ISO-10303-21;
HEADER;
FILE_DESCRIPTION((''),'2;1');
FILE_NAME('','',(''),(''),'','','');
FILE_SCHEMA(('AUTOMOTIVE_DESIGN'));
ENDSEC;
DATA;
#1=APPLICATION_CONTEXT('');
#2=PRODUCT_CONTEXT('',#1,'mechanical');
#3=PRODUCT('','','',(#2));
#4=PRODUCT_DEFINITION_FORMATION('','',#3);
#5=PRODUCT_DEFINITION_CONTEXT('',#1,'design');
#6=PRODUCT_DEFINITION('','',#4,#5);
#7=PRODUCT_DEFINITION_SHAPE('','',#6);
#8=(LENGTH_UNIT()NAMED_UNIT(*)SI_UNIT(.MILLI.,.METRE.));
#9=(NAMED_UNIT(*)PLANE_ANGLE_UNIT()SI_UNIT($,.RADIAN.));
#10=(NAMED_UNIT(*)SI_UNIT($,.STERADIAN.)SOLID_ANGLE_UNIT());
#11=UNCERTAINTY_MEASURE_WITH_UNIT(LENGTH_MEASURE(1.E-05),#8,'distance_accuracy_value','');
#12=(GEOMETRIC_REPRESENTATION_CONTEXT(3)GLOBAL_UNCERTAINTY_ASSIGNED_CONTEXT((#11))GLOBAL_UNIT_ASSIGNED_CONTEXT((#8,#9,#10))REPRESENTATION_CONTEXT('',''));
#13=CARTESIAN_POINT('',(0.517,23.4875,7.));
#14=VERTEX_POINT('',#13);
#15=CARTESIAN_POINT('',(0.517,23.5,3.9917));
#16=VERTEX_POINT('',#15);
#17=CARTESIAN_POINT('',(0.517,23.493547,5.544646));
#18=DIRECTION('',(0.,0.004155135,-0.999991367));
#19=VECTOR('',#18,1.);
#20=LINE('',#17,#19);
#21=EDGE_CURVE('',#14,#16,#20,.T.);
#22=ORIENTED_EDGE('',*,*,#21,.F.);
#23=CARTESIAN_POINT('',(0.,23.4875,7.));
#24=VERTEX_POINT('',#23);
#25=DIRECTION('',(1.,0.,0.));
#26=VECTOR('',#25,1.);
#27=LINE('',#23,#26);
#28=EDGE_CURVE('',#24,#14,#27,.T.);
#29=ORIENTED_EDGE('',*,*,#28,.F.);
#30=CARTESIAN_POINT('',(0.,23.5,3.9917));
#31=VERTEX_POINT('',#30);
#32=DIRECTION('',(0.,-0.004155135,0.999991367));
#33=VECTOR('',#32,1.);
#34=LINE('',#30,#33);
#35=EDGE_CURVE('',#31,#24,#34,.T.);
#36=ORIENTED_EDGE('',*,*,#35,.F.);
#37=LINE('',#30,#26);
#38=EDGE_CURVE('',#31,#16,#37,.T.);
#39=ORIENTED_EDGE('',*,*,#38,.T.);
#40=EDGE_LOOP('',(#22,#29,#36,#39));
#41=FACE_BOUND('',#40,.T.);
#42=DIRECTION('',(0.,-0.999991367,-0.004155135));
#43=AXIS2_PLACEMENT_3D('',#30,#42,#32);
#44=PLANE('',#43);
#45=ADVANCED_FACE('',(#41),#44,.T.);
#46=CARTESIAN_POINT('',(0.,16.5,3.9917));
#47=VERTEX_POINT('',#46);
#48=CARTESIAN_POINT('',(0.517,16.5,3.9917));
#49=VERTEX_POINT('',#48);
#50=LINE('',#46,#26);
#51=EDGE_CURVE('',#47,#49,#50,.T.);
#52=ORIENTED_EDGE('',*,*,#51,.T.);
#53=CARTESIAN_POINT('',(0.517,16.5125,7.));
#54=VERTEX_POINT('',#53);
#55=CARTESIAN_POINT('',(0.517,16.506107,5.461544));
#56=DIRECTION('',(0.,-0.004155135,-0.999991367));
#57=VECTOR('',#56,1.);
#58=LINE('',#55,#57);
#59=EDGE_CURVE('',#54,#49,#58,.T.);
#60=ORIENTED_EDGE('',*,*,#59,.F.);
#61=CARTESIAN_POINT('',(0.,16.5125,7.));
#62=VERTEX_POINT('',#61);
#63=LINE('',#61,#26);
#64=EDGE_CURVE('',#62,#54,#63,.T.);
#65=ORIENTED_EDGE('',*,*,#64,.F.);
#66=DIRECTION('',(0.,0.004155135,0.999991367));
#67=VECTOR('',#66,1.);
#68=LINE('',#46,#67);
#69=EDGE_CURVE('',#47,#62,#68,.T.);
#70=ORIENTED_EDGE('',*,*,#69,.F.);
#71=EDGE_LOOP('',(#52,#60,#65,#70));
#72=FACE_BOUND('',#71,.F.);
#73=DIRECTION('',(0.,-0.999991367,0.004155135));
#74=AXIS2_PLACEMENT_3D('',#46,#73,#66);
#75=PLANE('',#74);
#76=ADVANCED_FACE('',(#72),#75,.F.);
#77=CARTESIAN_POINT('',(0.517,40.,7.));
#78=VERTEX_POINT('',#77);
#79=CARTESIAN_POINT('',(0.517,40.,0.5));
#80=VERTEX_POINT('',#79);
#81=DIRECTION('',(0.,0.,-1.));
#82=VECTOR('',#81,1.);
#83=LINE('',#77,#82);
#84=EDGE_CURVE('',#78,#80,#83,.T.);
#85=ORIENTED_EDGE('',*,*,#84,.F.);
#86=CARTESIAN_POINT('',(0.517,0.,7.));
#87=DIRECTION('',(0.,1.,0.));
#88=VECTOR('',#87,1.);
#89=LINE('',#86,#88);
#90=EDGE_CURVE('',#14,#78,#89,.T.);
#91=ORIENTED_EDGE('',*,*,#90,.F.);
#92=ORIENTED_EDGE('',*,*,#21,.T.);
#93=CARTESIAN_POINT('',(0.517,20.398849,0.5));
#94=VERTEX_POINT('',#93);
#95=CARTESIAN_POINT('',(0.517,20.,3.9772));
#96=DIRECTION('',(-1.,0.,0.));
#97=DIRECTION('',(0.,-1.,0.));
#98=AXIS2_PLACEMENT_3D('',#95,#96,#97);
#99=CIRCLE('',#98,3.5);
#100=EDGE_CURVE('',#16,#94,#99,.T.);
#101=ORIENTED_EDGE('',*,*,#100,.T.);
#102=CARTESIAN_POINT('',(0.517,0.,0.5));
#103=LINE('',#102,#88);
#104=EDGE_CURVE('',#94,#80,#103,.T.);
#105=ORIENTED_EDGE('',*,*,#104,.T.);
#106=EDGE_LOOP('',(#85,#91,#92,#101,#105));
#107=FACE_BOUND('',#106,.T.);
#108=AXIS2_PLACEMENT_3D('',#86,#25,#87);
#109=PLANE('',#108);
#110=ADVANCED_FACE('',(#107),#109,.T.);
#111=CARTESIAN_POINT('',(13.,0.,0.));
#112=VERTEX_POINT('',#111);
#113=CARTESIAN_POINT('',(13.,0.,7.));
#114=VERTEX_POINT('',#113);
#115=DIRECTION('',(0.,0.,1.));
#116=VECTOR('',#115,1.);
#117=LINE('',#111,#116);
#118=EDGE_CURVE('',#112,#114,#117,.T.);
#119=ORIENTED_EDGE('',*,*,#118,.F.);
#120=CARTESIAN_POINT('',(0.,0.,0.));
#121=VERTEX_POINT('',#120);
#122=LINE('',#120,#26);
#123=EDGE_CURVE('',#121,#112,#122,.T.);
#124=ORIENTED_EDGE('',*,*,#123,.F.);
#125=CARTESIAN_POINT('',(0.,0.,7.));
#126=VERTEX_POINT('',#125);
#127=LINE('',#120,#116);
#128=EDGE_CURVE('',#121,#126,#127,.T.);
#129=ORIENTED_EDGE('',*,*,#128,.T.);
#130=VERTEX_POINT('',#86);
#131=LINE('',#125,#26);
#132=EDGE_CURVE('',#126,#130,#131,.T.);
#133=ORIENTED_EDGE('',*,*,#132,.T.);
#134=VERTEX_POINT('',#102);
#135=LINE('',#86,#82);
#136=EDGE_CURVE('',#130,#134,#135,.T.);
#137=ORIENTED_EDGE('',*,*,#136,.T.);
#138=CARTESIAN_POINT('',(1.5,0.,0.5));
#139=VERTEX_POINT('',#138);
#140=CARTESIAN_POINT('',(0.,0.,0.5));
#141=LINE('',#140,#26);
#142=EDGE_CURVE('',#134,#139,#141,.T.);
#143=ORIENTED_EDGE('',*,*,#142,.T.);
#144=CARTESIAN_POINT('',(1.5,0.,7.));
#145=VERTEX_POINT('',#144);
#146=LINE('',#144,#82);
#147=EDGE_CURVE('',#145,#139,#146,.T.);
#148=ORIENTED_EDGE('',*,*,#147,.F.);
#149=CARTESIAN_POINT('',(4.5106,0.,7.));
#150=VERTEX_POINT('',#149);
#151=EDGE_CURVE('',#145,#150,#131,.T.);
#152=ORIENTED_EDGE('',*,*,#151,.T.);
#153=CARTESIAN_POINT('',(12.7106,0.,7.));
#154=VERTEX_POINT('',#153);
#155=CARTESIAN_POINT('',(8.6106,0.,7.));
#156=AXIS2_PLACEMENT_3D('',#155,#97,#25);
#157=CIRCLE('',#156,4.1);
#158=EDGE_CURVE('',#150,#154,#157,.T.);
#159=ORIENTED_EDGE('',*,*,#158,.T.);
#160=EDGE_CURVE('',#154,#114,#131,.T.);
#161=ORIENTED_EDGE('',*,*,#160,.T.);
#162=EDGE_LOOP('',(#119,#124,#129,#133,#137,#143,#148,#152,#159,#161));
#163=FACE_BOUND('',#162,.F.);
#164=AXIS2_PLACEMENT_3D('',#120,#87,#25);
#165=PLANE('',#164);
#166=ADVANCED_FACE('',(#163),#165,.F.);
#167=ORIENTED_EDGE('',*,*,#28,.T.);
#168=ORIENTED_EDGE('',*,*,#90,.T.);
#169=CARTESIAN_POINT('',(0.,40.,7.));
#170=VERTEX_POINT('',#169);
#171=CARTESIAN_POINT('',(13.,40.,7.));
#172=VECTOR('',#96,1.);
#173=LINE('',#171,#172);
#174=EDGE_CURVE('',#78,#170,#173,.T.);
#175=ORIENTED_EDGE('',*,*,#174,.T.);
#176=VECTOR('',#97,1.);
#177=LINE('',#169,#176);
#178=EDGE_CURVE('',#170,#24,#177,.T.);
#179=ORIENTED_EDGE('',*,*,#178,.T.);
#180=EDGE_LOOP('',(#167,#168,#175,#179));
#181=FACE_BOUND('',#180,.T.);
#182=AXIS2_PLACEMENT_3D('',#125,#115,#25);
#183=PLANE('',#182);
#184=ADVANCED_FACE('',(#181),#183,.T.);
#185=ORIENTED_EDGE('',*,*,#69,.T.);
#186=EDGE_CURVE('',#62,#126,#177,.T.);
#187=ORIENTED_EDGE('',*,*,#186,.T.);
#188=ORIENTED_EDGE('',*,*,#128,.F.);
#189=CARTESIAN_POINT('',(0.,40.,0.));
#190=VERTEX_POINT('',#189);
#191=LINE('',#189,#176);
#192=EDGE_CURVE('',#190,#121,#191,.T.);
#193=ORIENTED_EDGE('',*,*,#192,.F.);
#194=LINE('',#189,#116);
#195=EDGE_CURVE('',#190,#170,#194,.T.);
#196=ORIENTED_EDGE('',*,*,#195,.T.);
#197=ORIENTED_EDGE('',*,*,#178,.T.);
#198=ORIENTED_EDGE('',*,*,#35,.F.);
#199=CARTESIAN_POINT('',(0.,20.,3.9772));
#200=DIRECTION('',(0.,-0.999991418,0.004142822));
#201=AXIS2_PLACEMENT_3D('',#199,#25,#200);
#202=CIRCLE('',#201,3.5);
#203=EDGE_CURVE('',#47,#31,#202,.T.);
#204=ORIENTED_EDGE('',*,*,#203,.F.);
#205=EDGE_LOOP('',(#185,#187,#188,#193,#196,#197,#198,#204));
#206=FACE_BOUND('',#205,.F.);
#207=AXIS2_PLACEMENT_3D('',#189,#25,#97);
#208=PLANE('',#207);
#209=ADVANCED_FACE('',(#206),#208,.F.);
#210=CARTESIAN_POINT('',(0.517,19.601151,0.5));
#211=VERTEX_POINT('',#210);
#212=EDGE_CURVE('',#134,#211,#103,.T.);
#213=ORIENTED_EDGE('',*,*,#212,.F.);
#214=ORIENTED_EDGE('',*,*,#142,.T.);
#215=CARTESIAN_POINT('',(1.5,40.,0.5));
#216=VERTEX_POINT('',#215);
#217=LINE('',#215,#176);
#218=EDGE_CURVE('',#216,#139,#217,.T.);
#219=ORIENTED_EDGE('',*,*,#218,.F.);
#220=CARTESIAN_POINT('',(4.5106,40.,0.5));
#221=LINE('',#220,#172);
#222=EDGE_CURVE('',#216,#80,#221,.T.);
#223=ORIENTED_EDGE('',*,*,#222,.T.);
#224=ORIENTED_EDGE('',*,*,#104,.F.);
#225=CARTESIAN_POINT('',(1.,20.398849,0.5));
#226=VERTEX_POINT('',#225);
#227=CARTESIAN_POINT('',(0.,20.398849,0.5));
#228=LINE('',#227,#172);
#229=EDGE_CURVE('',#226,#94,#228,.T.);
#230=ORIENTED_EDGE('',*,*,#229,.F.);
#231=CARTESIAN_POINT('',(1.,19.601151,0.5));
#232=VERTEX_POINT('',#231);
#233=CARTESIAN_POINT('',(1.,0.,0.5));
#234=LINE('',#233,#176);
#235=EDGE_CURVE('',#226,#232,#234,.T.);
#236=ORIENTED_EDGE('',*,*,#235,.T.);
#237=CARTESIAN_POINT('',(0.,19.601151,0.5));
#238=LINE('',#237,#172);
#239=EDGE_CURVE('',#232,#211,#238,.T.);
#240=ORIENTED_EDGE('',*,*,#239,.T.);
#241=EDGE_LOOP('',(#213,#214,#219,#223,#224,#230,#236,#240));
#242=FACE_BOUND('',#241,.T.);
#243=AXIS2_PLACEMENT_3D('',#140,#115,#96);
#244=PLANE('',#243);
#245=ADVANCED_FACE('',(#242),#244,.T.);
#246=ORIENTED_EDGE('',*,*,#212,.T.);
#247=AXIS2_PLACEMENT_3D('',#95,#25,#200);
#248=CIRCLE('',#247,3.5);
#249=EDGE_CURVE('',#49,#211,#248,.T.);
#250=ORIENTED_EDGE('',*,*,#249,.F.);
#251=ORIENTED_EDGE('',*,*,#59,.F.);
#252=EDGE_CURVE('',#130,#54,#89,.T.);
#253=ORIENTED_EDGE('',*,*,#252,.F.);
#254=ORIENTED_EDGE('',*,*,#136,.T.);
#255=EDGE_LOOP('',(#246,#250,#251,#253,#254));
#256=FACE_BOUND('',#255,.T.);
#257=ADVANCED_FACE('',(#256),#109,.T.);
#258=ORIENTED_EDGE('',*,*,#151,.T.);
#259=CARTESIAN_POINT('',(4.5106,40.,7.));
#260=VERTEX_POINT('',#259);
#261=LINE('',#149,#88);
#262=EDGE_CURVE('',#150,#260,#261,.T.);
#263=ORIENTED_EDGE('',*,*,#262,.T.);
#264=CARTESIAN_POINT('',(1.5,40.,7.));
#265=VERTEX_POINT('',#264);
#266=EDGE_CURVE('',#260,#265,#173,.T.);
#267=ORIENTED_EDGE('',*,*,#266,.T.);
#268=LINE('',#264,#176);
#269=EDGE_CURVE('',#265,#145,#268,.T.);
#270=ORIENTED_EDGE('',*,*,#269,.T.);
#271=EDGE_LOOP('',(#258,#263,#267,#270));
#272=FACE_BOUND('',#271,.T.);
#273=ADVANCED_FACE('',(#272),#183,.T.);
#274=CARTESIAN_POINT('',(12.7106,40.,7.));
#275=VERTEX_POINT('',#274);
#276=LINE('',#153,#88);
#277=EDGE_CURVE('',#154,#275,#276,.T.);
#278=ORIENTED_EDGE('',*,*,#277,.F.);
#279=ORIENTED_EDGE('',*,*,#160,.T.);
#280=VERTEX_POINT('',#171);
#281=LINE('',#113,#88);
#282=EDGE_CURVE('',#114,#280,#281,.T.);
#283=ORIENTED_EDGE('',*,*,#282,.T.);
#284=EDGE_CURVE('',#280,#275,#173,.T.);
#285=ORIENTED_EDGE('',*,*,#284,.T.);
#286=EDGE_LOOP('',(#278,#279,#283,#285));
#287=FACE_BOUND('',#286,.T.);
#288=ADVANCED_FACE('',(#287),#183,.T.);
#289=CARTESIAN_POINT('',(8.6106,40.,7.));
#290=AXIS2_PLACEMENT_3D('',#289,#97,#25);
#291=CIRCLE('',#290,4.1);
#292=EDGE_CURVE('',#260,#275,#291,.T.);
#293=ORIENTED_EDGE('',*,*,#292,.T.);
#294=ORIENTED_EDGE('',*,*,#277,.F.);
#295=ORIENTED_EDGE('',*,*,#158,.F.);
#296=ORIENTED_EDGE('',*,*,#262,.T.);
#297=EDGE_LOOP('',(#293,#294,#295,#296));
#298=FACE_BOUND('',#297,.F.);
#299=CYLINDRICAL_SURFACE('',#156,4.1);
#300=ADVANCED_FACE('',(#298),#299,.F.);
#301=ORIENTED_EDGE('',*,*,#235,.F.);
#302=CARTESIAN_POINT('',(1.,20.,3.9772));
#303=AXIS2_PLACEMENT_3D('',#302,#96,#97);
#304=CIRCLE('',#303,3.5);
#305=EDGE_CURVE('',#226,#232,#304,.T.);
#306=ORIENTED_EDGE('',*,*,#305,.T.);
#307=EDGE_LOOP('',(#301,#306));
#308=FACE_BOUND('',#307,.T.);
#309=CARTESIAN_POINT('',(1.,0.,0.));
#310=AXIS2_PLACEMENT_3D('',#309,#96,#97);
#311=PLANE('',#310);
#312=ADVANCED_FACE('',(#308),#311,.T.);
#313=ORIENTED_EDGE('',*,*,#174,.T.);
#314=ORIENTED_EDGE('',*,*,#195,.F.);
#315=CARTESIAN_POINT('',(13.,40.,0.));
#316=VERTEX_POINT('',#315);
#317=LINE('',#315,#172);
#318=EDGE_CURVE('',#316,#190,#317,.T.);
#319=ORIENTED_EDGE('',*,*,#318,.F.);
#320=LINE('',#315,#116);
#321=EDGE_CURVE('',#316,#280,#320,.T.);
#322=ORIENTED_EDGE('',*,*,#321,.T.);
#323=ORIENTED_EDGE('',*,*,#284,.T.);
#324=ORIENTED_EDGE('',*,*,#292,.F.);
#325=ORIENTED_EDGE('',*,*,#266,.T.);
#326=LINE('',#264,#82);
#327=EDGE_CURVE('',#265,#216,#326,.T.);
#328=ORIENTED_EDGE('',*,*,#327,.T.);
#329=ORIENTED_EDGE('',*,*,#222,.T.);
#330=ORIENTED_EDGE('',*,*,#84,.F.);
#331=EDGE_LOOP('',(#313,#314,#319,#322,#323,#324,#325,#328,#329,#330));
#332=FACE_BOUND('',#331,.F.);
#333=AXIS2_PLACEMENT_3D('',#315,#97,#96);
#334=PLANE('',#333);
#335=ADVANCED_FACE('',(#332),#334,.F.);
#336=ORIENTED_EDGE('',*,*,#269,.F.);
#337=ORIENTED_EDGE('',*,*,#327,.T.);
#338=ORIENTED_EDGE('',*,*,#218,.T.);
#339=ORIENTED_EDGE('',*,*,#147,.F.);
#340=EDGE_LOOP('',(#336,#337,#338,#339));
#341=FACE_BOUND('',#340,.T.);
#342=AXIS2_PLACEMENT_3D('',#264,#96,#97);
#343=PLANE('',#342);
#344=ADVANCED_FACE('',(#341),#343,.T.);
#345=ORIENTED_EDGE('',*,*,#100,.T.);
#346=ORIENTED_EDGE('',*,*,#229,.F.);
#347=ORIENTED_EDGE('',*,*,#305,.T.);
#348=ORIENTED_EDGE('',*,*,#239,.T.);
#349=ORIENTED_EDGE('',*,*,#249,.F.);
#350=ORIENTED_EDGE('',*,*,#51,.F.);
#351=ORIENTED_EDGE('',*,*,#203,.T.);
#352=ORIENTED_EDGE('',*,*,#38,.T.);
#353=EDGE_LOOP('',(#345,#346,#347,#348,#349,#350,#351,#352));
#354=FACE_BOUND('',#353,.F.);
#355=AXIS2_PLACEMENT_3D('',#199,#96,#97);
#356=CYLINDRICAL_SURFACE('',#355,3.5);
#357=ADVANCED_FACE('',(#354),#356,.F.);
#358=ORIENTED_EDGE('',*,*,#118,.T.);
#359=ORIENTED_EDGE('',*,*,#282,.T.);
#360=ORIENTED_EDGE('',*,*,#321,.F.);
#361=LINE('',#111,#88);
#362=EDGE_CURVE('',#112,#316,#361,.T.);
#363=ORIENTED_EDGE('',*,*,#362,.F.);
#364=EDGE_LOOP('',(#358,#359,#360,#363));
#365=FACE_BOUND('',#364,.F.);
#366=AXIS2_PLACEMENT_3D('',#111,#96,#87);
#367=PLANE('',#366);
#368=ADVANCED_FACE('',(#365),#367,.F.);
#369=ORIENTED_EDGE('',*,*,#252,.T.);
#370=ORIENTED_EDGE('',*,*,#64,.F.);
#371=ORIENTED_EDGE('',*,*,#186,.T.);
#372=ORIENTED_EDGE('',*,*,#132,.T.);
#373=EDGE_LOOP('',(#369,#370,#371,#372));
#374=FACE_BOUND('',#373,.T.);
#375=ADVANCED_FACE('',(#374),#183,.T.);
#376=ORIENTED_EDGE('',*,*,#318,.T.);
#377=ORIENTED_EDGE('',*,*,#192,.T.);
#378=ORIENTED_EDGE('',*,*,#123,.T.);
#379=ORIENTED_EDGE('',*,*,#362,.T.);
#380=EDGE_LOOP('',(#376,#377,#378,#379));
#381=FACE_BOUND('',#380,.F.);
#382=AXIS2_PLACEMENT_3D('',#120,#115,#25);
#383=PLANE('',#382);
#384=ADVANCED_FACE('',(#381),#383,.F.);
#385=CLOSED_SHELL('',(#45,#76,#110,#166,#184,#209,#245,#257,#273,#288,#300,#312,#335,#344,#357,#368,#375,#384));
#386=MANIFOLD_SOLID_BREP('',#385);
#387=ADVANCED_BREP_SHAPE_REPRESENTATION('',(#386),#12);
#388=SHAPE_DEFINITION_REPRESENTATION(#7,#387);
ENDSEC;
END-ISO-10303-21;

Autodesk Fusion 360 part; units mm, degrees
sketch "Sketch1" plane through (0, 0, 0) normal (0, 0, 1) x (1, 0, 0)
  line L0 (0, 0) -> (13, 0)
  line L1 (13, 0) -> (13, 40)
  line L2 (13, 40) -> (0, 40)
  line L3 (0, 40) -> (0, 0)
  dimension "d1" = 13
  dimension "d2" = 40
extrude "Extrude1" add sketch "Sketch1" along normal blind 7 and the other way blind 0
sketch "Sketch2" plane through (0, 0, 0) normal (0, -1, 0) x (1, 0, 0)
  line L0 (0, 0) -> (13, 0)
  line L1 (13, 0) -> (13, 7)
  line L2 (13, 7) -> (0, 7)
  line L3 (0, 7) -> (0, 0)
  circle A0 centre (8.6106, 7) radius 4.1
  dimension "d5" = 8.2
extrude "Extrude2" cut sketch "Sketch2" against normal blind 41 contours L2 A0 picked at (8.104, 4.6437)
sketch "Sketch4" plane through (0, 0, 7) normal (0, 0, 1) x (-1, 0, 0)
  line L0 (-4.5106, 0) -> (-4.5106, -40)
  line L1 (-4.5106, -40) -> (0, -40)
  line L2 (0, -40) -> (0, 0)
  line L3 (0, 0) -> (-4.5106, 0)
  line L4 (-0.517, -40) -> (-1.5, -40)
  line L5 (-1.5, -40) -> (-1.5, 0)
  line L6 (-1.5, 0) -> (-0.517, 0)
  line L7 (-0.517, 0) -> (-0.517, -40)
extrude "Extrude4" cut sketch "Sketch4" against normal blind 6.5 contours L1 L3 L4 L5 L6 L7
sketch "Sketch5" plane through (0, 0, 0) normal (-1, 0, 0) x (0, -1, 0)
  line L0 (-40, 0) -> (0, 0)
  line L1 (0, 0) -> (0, 7)
  line L2 (0, 7) -> (-40, 7)
  line L3 (-40, 7) -> (-40, 0)
  circle A0 centre (-20, 3.9772) radius 3.5
  line L4 (-23.5, 3.9917) -> (-23.4875, 7)
  line L5 (-16.5, 3.9917) -> (-16.5125, 7)
  dimension "d15" = 7
extrude "Extrude5" cut sketch "Sketch5" against normal blind 1 contours L2 A0 L4 | L2 A0 L5 | L2 A0 picked at (-20.0897, 4.8292)
